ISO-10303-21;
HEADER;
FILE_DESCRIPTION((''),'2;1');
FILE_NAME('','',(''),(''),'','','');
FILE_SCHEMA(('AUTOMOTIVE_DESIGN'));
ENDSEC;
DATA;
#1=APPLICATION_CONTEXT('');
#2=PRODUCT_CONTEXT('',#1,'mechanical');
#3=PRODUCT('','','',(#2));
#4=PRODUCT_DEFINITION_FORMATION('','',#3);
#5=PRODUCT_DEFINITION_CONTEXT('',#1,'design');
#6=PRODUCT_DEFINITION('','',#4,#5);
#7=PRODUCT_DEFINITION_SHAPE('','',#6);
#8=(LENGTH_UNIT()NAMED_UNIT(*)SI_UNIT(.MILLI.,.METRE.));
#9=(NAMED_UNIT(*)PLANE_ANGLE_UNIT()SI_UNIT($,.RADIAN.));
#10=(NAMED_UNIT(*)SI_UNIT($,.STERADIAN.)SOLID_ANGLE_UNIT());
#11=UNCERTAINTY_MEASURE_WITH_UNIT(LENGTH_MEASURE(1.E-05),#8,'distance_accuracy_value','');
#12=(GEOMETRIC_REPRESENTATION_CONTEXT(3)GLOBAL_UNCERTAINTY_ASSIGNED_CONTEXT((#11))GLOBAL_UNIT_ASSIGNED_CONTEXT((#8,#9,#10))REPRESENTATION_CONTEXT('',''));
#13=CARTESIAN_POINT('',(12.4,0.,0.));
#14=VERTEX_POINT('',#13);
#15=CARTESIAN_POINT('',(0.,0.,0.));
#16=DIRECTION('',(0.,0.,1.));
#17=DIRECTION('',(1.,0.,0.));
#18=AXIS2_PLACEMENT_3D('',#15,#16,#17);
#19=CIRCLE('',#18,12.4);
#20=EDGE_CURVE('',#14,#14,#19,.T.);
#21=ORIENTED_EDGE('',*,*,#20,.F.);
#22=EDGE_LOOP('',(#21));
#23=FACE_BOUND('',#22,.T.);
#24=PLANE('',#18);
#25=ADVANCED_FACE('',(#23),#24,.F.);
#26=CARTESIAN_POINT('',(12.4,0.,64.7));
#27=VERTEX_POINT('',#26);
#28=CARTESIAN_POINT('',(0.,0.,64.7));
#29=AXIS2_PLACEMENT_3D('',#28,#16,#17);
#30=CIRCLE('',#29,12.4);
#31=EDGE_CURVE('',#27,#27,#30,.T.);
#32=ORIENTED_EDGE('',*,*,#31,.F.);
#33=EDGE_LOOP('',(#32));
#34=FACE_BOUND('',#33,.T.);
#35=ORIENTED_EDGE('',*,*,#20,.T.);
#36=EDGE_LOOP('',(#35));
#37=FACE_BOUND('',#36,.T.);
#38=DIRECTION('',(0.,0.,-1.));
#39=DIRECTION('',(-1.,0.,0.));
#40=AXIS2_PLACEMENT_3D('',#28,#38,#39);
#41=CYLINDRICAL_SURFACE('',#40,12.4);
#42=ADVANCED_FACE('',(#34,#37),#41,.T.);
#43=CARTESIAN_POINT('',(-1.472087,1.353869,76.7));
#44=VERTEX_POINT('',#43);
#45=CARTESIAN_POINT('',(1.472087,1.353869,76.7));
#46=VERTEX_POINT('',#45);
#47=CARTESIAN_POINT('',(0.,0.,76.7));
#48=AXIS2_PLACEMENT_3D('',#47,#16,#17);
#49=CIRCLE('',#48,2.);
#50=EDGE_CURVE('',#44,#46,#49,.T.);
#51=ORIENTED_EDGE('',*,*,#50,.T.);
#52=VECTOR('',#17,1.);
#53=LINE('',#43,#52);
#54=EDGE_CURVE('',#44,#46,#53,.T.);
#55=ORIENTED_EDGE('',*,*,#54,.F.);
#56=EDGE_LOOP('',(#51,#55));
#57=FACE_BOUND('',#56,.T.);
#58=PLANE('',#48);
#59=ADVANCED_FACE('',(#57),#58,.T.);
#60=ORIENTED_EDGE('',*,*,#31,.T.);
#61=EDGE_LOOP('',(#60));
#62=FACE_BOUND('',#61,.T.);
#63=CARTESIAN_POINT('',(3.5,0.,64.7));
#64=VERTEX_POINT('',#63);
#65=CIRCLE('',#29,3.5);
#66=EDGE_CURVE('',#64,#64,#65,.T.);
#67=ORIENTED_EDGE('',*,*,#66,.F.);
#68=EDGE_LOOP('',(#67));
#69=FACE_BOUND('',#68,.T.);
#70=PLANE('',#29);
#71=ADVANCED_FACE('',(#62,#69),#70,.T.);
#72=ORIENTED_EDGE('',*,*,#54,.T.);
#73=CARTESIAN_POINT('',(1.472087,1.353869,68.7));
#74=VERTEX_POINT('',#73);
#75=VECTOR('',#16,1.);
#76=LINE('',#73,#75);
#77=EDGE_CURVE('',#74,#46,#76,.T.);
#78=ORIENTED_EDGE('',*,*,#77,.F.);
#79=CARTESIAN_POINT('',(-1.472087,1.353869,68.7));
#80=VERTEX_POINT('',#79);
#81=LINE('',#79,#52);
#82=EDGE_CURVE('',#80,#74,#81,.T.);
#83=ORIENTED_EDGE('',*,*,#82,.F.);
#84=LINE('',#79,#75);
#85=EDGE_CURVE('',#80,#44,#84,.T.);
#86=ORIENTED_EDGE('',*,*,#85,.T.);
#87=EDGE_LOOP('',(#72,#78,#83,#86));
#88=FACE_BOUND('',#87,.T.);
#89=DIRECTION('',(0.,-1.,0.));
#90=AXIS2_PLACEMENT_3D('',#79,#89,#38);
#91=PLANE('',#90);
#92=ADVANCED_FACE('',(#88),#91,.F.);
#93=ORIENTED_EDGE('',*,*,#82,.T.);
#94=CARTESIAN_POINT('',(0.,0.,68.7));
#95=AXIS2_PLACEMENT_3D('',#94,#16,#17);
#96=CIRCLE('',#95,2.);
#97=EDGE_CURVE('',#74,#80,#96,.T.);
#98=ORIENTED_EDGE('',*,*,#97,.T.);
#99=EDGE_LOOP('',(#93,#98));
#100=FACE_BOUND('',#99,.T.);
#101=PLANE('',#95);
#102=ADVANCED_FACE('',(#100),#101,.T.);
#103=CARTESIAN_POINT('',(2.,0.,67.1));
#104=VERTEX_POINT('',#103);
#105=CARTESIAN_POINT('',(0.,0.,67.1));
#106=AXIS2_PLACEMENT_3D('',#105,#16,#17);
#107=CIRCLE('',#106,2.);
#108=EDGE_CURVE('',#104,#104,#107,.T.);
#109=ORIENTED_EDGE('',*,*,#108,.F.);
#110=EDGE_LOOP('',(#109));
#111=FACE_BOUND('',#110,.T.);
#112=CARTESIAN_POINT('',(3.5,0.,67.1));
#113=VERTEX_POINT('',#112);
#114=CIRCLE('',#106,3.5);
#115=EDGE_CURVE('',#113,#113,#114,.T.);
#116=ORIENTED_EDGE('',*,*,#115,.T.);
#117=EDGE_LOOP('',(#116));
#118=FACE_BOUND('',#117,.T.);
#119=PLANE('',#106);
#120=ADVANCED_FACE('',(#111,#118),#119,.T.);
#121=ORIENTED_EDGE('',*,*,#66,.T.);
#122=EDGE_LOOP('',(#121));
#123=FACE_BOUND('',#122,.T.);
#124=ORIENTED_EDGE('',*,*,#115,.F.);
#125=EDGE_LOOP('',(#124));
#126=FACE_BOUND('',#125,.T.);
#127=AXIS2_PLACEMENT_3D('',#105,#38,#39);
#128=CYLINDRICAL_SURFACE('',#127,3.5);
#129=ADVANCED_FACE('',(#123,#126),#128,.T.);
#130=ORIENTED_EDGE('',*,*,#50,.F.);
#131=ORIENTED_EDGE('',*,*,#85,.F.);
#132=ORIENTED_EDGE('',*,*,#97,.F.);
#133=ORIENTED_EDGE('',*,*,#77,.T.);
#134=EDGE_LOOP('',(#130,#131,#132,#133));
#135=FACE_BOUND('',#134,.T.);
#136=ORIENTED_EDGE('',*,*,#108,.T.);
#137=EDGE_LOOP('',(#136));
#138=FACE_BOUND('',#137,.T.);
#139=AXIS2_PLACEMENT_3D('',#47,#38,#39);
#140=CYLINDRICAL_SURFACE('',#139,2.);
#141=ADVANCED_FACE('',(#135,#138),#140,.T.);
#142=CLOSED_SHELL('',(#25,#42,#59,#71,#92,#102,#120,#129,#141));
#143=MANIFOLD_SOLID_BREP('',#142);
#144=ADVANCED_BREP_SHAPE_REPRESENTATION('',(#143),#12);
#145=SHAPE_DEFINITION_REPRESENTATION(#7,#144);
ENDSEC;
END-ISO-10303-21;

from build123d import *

# Parameters (mm, degrees)
SKETCH1_R           = 12.4
MAIN_EXTRUDE_DEPTH  = 64.7
SKETCH2_R           = 3.5
BOSS_EXTRUDE2_DEPTH = 2.4
SKETCH3_R           = 2
BOSS_EXTRUDE3_DEPTH = 9.6
KEY_CUT_DEPTH       = 8


with BuildPart() as part:
    # Sketch1 → Main Extrude (new body)
    with BuildSketch(Plane.XY):
        Circle(SKETCH1_R)
    extrude(amount=MAIN_EXTRUDE_DEPTH)

    # Sketch2 → Boss-Extrude2 (add)
    with BuildSketch(Plane.XY.offset(64.7)):
        Circle(SKETCH2_R)
    extrude(amount=BOSS_EXTRUDE2_DEPTH)

    # Sketch3 → Boss-Extrude3 (add)
    with BuildSketch(Plane.XY.offset(67.1)):
        Circle(SKETCH3_R)
    extrude(amount=BOSS_EXTRUDE3_DEPTH)

    # Sketch5 → Key Cut (cut)
    with BuildSketch(Plane.XY.offset(76.7)):
        with BuildLine():
            Line((-1.472086844, 1.353868651), (1.472086844, 1.353868651))
            ThreePointArc((1.472086844, 1.353868651), (0, 2), (-1.472086844, 1.353868651))
        make_face()
    extrude(amount=-KEY_CUT_DEPTH, mode=Mode.SUBTRACT)


solid = part.part
